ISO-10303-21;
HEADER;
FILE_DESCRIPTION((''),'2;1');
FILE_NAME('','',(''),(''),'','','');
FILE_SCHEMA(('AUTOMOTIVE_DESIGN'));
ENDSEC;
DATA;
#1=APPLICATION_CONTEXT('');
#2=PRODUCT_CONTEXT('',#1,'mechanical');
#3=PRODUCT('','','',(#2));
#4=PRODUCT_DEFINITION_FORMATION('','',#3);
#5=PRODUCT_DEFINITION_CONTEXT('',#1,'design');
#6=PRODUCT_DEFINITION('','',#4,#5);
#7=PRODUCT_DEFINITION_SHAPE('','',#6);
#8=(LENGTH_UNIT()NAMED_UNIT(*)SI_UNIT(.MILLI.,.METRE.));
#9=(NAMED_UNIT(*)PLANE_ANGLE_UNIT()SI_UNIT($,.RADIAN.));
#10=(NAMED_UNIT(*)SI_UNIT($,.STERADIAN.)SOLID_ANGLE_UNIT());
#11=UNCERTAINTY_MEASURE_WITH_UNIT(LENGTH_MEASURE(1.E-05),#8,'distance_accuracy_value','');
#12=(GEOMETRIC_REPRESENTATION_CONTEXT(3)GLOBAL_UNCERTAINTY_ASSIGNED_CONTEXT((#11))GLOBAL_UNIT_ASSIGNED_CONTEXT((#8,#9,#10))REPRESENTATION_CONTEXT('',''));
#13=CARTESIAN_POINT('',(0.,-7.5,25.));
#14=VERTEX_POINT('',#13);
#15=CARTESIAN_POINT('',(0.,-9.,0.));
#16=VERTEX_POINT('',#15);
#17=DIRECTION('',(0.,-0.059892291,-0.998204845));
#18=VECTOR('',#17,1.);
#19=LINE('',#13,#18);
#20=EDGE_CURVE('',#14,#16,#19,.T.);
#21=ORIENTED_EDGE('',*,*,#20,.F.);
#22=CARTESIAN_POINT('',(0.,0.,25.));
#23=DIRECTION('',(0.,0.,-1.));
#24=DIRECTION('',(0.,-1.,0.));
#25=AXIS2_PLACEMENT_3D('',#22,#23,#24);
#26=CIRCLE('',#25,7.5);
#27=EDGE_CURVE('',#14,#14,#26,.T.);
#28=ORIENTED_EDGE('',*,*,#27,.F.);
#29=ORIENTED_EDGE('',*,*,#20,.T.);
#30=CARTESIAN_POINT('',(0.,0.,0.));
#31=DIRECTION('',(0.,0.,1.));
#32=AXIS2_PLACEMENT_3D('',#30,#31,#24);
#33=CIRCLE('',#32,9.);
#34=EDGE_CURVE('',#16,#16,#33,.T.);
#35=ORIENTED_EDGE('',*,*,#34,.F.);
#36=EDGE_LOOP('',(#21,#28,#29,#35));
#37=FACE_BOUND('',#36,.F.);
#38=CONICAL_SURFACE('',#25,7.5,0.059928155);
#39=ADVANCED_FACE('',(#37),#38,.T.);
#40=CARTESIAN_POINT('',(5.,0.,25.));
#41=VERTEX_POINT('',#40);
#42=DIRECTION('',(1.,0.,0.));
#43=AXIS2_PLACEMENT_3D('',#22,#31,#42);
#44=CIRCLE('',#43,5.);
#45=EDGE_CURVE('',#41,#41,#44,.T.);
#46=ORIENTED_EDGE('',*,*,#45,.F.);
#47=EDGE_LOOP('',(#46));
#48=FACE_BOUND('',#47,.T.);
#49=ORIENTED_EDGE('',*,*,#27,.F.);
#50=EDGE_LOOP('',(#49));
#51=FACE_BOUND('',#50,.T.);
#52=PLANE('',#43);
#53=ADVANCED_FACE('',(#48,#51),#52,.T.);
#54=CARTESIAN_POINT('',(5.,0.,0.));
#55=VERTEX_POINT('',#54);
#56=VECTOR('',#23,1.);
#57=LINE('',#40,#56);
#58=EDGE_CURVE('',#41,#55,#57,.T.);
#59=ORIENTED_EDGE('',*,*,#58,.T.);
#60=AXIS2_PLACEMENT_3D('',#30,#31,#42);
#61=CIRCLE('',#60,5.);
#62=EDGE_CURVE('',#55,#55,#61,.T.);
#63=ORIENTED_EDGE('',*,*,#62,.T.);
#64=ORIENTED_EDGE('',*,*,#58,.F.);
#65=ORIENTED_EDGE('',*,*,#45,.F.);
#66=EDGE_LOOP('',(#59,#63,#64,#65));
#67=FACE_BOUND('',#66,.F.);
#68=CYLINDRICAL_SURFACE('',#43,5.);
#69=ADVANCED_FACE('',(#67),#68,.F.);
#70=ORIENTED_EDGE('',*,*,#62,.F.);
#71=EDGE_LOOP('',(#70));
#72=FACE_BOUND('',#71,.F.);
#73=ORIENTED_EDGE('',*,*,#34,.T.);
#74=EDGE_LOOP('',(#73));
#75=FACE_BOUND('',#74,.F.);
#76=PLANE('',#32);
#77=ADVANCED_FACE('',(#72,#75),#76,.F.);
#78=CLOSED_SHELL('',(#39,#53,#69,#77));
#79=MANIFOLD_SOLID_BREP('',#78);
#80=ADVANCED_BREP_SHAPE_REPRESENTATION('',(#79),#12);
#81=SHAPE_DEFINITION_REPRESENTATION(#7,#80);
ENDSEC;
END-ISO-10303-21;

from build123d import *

# Parameters (mm, degrees)
F2_R     = 7.5
F2_R_2   = 5
F3_DEPTH = 25


with BuildPart() as f3:
    # F2 (on offset) → F3 (new body)
    with BuildSketch(Plane.XY.offset(25)):
        Circle(F2_R)
        Circle(F2_R_2, mode=Mode.SUBTRACT)
    extrude(amount=-F3_DEPTH)

    # F4 (on Right) → F5 (revolve)
    with BuildSketch(Plane.YZ):
        Polygon((-7.5, 25), (-9, 0), (-7.5, 0), align=None)
    revolve(axis=Axis((0, 0, 0), (0, 0, 1)))


solid = f3.part
